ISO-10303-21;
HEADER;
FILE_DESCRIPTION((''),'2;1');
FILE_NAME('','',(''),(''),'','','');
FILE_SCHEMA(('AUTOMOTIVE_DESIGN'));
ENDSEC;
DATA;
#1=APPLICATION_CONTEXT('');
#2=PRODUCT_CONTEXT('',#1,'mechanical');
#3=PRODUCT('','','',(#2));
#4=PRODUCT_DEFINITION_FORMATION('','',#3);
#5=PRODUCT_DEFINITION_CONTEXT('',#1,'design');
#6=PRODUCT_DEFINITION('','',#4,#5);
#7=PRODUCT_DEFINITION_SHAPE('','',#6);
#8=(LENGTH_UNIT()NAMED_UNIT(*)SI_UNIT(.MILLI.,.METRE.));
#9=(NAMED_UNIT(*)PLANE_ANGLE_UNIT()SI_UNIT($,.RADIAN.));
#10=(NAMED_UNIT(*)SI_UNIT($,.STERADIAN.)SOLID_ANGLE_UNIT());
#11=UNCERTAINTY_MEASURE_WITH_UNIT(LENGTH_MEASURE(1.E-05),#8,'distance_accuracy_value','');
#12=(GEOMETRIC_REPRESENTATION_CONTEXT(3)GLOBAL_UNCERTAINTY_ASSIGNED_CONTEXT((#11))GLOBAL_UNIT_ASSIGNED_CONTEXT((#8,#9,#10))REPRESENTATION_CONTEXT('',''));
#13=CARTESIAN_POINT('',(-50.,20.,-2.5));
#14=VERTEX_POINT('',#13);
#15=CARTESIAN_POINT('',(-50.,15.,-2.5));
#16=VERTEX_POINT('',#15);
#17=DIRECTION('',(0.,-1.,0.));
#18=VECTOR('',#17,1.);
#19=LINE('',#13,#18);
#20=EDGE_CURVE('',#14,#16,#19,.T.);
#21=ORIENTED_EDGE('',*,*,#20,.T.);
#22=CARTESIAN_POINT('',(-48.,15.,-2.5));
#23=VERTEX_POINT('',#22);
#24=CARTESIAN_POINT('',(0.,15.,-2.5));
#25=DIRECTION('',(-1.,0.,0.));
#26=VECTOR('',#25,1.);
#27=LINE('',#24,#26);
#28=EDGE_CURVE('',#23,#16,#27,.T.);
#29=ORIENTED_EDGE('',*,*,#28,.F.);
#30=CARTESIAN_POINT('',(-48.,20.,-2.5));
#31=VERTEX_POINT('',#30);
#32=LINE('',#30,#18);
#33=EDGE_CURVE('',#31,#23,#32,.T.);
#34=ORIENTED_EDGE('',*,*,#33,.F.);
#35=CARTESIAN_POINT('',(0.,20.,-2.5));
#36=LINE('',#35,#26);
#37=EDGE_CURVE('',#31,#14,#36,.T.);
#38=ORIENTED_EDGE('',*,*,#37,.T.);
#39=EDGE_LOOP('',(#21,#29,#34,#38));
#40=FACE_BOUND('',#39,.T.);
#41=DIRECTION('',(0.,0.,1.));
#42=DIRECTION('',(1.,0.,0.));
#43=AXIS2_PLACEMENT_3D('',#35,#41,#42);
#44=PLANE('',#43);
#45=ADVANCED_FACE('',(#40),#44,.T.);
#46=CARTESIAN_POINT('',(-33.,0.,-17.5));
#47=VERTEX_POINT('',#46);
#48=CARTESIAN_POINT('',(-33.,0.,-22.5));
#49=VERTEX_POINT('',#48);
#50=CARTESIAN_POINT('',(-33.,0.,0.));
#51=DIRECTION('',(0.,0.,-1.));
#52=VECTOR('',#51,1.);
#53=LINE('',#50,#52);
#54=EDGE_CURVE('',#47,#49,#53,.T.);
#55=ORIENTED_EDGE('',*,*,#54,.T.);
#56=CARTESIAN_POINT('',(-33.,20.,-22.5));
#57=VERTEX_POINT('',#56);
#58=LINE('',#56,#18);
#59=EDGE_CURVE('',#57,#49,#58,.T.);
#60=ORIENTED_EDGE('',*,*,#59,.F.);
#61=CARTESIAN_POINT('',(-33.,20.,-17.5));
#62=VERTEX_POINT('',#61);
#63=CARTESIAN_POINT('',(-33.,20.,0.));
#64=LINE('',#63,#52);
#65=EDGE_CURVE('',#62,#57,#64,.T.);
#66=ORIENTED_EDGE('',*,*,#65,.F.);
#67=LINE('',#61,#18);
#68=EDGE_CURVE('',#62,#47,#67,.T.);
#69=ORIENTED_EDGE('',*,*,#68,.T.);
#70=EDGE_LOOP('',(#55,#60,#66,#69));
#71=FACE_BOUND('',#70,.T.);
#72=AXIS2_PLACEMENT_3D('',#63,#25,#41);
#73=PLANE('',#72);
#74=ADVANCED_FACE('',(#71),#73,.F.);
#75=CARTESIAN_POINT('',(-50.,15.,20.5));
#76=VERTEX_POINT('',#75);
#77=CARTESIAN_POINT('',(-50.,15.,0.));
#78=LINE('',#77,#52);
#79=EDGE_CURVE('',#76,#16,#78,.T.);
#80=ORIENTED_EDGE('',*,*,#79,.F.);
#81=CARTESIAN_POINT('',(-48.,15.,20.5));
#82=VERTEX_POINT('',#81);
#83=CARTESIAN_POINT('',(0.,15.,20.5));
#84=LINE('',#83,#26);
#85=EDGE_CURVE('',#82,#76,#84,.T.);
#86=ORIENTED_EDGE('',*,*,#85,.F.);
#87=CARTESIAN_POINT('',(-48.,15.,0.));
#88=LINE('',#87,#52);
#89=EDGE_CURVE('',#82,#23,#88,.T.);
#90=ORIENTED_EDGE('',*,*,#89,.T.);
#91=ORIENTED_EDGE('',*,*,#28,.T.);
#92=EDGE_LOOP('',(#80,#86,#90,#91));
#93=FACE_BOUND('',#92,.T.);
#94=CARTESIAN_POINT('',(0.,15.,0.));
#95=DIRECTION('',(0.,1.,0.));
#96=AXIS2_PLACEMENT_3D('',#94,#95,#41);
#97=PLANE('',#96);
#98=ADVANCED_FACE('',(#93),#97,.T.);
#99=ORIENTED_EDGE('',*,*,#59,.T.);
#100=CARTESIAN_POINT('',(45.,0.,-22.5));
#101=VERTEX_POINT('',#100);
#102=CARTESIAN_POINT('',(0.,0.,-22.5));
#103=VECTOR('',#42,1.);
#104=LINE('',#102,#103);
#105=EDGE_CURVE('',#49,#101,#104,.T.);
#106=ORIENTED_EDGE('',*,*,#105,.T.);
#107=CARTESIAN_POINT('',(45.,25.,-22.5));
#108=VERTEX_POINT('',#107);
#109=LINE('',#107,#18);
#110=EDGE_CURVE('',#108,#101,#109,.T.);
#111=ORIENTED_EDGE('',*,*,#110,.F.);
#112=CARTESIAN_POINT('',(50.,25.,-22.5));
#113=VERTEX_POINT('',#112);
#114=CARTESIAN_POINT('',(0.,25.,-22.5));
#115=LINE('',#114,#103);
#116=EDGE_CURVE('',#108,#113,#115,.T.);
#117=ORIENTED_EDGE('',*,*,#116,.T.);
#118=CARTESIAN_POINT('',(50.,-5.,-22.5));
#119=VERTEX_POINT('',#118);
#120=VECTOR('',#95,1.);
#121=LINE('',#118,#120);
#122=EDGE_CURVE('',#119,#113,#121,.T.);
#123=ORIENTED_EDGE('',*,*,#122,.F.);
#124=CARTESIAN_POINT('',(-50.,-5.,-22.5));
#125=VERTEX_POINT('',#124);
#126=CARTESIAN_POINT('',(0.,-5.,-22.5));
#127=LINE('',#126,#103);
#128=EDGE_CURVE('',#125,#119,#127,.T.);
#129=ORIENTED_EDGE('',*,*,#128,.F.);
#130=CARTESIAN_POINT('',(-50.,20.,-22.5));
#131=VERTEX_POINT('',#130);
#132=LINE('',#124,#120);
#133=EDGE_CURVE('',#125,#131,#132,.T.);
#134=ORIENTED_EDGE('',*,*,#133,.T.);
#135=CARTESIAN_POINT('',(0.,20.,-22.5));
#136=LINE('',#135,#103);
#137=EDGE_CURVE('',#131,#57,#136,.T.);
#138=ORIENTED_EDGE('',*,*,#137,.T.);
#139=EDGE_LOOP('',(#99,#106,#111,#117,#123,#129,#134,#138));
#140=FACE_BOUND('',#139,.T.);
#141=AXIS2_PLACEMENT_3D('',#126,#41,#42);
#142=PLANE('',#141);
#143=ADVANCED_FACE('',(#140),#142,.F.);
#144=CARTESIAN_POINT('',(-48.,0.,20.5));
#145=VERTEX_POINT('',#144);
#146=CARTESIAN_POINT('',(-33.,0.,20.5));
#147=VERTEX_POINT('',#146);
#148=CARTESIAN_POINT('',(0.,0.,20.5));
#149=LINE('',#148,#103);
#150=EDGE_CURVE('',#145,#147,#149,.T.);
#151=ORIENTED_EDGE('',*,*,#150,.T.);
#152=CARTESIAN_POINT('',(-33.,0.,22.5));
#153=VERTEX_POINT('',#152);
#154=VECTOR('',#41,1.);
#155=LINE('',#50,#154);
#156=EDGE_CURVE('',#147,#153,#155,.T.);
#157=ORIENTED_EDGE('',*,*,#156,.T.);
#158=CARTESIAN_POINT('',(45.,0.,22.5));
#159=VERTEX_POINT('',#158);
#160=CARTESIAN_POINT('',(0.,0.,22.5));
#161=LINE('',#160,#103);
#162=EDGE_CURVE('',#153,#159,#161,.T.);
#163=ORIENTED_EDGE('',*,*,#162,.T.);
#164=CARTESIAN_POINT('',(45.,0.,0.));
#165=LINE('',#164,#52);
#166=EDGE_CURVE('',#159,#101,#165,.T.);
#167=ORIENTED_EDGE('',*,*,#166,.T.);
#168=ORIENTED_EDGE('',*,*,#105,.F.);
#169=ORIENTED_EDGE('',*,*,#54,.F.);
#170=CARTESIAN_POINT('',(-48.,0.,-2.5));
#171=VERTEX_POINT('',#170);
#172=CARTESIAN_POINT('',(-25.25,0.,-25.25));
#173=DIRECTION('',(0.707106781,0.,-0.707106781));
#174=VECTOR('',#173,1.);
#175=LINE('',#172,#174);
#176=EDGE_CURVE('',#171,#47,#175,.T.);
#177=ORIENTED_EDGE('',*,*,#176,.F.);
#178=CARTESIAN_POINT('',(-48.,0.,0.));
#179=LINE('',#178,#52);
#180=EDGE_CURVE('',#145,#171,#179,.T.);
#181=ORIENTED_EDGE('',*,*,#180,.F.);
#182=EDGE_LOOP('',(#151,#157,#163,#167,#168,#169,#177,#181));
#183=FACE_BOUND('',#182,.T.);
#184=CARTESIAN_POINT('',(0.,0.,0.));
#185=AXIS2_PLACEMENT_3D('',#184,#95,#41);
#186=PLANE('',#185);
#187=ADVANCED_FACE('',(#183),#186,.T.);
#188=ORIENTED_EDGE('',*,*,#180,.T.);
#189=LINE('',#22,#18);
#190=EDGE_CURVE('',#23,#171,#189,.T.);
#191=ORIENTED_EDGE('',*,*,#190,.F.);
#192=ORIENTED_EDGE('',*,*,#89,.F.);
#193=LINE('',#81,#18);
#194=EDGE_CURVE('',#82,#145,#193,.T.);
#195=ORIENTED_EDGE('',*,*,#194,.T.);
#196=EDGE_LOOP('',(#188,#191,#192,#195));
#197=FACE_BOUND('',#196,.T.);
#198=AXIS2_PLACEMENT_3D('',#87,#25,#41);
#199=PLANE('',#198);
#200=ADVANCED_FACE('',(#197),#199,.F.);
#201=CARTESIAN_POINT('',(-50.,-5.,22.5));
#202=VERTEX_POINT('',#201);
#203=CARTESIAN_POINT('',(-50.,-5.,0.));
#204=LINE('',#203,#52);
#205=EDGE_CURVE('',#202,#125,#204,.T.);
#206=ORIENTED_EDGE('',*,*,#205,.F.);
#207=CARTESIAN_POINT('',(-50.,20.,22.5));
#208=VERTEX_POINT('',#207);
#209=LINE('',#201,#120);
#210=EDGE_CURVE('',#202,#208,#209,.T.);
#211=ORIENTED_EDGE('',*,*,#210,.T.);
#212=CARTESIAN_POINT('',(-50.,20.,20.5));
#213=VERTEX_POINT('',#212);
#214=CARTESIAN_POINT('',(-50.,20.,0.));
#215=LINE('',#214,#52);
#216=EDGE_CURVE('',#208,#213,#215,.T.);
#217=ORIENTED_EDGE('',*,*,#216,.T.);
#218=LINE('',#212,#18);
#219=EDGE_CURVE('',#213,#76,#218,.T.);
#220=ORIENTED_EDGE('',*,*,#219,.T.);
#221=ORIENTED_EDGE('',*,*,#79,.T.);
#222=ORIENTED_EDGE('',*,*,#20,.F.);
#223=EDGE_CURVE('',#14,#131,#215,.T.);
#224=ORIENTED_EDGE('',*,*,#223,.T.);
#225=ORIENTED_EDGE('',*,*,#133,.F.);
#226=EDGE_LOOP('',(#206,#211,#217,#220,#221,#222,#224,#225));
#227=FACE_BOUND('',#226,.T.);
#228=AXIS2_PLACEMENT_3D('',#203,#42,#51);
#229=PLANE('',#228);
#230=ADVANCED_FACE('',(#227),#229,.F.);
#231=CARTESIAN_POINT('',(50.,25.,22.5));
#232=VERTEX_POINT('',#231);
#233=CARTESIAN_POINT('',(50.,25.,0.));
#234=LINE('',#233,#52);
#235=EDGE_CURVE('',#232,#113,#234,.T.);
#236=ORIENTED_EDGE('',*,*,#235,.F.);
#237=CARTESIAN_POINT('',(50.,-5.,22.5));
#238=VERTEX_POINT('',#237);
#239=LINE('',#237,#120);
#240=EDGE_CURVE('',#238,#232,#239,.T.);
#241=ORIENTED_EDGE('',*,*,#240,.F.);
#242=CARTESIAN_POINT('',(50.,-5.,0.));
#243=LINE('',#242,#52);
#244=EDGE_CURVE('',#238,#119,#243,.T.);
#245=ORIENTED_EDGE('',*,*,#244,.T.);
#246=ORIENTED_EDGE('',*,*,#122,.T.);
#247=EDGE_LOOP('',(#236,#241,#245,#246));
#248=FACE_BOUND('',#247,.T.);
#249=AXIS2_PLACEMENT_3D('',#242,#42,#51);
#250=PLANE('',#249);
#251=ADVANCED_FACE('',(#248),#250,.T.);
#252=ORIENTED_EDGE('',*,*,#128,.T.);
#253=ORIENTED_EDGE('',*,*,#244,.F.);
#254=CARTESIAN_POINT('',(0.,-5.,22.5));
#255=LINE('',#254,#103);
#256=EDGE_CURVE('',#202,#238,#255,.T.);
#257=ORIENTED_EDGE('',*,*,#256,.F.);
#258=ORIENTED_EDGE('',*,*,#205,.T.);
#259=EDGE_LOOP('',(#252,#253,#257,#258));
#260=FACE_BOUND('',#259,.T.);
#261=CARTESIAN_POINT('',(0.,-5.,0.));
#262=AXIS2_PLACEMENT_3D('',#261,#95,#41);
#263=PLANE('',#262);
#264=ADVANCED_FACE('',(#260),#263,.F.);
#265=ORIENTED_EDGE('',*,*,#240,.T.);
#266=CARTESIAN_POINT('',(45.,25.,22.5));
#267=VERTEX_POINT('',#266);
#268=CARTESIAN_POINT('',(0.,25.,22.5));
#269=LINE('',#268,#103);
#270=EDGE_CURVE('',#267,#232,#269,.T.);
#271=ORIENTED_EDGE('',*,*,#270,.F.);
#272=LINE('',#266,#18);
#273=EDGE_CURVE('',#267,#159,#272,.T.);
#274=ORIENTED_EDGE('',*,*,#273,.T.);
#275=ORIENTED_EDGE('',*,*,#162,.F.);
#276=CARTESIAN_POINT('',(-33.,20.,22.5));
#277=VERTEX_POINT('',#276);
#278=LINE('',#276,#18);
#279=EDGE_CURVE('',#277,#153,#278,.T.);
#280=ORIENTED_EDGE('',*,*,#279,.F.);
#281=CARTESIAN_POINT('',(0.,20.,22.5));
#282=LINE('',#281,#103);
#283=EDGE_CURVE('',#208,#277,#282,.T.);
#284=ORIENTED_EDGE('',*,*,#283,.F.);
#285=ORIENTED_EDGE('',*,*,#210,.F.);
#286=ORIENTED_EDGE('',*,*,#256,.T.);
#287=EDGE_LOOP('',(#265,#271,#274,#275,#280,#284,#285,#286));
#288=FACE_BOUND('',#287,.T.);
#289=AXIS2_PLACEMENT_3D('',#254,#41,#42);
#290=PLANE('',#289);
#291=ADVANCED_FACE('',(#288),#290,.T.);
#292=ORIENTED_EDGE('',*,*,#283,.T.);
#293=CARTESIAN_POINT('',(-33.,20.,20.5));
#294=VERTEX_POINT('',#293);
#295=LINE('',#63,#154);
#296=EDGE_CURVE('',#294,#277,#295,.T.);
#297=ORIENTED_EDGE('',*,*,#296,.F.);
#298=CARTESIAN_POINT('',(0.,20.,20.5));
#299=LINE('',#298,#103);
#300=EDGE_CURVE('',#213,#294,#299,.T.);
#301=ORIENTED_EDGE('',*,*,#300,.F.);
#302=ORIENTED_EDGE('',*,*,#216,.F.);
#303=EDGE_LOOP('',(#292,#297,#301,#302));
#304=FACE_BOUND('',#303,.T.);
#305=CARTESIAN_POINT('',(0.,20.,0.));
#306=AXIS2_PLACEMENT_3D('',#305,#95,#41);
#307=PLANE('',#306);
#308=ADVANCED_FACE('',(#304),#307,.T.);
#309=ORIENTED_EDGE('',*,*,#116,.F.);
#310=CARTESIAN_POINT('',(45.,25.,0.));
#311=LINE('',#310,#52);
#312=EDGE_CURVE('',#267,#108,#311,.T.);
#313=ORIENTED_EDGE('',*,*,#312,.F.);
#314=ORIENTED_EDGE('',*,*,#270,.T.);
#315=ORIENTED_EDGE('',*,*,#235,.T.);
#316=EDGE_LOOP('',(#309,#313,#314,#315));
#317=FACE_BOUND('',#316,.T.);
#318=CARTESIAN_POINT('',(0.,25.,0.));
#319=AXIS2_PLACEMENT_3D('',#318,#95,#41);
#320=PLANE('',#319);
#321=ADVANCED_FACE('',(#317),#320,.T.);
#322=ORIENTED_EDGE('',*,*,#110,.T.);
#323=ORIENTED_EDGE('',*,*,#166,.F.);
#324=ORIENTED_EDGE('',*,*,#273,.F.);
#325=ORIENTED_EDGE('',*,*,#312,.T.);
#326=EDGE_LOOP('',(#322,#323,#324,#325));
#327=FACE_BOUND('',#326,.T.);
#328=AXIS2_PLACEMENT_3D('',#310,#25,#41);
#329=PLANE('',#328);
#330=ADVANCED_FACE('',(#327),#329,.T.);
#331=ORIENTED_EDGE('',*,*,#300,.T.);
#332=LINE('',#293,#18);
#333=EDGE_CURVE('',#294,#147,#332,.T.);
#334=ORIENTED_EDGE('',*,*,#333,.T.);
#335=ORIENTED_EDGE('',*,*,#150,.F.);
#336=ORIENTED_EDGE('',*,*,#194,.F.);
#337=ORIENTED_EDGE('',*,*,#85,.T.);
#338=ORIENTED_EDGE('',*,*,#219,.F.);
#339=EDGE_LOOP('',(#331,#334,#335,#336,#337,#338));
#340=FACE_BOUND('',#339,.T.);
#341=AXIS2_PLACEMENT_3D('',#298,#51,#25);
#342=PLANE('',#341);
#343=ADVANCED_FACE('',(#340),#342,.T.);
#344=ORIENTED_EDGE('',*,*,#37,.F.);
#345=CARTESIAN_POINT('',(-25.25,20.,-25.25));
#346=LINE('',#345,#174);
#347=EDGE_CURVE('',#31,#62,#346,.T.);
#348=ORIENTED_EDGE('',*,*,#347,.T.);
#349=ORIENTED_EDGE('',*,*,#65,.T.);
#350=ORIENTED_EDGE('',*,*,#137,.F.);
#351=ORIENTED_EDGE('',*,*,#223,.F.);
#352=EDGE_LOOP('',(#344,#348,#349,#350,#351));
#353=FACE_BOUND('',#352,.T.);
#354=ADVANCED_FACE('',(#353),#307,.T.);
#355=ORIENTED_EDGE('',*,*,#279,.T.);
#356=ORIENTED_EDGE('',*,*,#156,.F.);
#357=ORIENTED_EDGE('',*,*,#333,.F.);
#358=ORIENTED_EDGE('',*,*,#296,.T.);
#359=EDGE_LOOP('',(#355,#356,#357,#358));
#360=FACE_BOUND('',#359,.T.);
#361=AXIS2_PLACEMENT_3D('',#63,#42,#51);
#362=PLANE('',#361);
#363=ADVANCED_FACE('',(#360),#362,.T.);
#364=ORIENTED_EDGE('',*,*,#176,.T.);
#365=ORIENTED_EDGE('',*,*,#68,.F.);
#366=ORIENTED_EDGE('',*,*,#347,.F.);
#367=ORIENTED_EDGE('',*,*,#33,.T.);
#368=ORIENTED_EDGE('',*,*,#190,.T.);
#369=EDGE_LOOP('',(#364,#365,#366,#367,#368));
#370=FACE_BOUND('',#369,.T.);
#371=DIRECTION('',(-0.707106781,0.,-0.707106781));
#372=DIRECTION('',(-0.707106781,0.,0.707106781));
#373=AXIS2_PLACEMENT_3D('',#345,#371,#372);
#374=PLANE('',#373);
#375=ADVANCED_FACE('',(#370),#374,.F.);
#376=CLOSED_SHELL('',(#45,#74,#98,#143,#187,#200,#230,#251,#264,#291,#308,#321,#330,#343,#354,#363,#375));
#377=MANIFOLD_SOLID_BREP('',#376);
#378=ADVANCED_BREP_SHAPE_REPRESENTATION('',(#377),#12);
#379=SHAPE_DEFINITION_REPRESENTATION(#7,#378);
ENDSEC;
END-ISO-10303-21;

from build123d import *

# Parameters (mm, degrees)
SKETCH1_W           = 100
SKETCH1_H           = 45
BOSS_EXTRUDE1_DEPTH = 5
SKETCH1_4_W         = 5
SKETCH1_4_H         = 45
BOSS_EXTRUDE2_DEPTH = 25
SKETCH1_5_W         = 17
SKETCH1_5_H         = 2
BOSS_EXTRUDE3_DEPTH = 20
BOSS_EXTRUDE4_DEPTH = 20
SKETCH1_8_W         = 2
SKETCH1_8_H         = 23
BOSS_EXTRUDE5_DEPTH = 15


with BuildPart() as part:
    # Sketch1 → Boss-Extrude1 (new body)
    with BuildSketch(Plane(origin=(0, 0, 0), x_dir=(1, 0, 0), z_dir=(0, 1, 0))):
        Rectangle(SKETCH1_W, SKETCH1_H)
    extrude(amount=-BOSS_EXTRUDE1_DEPTH)

    # Sketch1<4> → Boss-Extrude2 (add)
    with BuildSketch(Plane(origin=(0, 0, 0), x_dir=(1, 0, 0), z_dir=(0, 1, 0))):
        with Locations((47.5, 0)):
            Rectangle(SKETCH1_4_W, SKETCH1_4_H)
    extrude(amount=BOSS_EXTRUDE2_DEPTH)

    # Sketch1<5> → Boss-Extrude3 (add)
    with BuildSketch(Plane(origin=(0, 0, 0), x_dir=(1, 0, 0), z_dir=(0, 1, 0))):
        with Locations((-41.5, -21.5)):
            Rectangle(SKETCH1_5_W, SKETCH1_5_H)
    extrude(amount=BOSS_EXTRUDE3_DEPTH)

    # Sketch1<6> → Boss-Extrude4 (add)
    with BuildSketch(Plane(origin=(0, 0, 0), x_dir=(1, 0, 0), z_dir=(0, 1, 0))):
        Polygon((-50, 2.5), (-48, 2.5), (-33, 17.5), (-33, 22.5), (-50, 22.5), align=None)
    extrude(amount=BOSS_EXTRUDE4_DEPTH)

    # Sketch1<8> → Boss-Extrude5 (add)
    with BuildSketch(Plane(origin=(0, 0, 0), x_dir=(1, 0, 0), z_dir=(0, 1, 0))):
        with Locations((-49, -9)):
            Rectangle(SKETCH1_8_W, SKETCH1_8_H)
    extrude(amount=BOSS_EXTRUDE5_DEPTH)


solid = part.part
